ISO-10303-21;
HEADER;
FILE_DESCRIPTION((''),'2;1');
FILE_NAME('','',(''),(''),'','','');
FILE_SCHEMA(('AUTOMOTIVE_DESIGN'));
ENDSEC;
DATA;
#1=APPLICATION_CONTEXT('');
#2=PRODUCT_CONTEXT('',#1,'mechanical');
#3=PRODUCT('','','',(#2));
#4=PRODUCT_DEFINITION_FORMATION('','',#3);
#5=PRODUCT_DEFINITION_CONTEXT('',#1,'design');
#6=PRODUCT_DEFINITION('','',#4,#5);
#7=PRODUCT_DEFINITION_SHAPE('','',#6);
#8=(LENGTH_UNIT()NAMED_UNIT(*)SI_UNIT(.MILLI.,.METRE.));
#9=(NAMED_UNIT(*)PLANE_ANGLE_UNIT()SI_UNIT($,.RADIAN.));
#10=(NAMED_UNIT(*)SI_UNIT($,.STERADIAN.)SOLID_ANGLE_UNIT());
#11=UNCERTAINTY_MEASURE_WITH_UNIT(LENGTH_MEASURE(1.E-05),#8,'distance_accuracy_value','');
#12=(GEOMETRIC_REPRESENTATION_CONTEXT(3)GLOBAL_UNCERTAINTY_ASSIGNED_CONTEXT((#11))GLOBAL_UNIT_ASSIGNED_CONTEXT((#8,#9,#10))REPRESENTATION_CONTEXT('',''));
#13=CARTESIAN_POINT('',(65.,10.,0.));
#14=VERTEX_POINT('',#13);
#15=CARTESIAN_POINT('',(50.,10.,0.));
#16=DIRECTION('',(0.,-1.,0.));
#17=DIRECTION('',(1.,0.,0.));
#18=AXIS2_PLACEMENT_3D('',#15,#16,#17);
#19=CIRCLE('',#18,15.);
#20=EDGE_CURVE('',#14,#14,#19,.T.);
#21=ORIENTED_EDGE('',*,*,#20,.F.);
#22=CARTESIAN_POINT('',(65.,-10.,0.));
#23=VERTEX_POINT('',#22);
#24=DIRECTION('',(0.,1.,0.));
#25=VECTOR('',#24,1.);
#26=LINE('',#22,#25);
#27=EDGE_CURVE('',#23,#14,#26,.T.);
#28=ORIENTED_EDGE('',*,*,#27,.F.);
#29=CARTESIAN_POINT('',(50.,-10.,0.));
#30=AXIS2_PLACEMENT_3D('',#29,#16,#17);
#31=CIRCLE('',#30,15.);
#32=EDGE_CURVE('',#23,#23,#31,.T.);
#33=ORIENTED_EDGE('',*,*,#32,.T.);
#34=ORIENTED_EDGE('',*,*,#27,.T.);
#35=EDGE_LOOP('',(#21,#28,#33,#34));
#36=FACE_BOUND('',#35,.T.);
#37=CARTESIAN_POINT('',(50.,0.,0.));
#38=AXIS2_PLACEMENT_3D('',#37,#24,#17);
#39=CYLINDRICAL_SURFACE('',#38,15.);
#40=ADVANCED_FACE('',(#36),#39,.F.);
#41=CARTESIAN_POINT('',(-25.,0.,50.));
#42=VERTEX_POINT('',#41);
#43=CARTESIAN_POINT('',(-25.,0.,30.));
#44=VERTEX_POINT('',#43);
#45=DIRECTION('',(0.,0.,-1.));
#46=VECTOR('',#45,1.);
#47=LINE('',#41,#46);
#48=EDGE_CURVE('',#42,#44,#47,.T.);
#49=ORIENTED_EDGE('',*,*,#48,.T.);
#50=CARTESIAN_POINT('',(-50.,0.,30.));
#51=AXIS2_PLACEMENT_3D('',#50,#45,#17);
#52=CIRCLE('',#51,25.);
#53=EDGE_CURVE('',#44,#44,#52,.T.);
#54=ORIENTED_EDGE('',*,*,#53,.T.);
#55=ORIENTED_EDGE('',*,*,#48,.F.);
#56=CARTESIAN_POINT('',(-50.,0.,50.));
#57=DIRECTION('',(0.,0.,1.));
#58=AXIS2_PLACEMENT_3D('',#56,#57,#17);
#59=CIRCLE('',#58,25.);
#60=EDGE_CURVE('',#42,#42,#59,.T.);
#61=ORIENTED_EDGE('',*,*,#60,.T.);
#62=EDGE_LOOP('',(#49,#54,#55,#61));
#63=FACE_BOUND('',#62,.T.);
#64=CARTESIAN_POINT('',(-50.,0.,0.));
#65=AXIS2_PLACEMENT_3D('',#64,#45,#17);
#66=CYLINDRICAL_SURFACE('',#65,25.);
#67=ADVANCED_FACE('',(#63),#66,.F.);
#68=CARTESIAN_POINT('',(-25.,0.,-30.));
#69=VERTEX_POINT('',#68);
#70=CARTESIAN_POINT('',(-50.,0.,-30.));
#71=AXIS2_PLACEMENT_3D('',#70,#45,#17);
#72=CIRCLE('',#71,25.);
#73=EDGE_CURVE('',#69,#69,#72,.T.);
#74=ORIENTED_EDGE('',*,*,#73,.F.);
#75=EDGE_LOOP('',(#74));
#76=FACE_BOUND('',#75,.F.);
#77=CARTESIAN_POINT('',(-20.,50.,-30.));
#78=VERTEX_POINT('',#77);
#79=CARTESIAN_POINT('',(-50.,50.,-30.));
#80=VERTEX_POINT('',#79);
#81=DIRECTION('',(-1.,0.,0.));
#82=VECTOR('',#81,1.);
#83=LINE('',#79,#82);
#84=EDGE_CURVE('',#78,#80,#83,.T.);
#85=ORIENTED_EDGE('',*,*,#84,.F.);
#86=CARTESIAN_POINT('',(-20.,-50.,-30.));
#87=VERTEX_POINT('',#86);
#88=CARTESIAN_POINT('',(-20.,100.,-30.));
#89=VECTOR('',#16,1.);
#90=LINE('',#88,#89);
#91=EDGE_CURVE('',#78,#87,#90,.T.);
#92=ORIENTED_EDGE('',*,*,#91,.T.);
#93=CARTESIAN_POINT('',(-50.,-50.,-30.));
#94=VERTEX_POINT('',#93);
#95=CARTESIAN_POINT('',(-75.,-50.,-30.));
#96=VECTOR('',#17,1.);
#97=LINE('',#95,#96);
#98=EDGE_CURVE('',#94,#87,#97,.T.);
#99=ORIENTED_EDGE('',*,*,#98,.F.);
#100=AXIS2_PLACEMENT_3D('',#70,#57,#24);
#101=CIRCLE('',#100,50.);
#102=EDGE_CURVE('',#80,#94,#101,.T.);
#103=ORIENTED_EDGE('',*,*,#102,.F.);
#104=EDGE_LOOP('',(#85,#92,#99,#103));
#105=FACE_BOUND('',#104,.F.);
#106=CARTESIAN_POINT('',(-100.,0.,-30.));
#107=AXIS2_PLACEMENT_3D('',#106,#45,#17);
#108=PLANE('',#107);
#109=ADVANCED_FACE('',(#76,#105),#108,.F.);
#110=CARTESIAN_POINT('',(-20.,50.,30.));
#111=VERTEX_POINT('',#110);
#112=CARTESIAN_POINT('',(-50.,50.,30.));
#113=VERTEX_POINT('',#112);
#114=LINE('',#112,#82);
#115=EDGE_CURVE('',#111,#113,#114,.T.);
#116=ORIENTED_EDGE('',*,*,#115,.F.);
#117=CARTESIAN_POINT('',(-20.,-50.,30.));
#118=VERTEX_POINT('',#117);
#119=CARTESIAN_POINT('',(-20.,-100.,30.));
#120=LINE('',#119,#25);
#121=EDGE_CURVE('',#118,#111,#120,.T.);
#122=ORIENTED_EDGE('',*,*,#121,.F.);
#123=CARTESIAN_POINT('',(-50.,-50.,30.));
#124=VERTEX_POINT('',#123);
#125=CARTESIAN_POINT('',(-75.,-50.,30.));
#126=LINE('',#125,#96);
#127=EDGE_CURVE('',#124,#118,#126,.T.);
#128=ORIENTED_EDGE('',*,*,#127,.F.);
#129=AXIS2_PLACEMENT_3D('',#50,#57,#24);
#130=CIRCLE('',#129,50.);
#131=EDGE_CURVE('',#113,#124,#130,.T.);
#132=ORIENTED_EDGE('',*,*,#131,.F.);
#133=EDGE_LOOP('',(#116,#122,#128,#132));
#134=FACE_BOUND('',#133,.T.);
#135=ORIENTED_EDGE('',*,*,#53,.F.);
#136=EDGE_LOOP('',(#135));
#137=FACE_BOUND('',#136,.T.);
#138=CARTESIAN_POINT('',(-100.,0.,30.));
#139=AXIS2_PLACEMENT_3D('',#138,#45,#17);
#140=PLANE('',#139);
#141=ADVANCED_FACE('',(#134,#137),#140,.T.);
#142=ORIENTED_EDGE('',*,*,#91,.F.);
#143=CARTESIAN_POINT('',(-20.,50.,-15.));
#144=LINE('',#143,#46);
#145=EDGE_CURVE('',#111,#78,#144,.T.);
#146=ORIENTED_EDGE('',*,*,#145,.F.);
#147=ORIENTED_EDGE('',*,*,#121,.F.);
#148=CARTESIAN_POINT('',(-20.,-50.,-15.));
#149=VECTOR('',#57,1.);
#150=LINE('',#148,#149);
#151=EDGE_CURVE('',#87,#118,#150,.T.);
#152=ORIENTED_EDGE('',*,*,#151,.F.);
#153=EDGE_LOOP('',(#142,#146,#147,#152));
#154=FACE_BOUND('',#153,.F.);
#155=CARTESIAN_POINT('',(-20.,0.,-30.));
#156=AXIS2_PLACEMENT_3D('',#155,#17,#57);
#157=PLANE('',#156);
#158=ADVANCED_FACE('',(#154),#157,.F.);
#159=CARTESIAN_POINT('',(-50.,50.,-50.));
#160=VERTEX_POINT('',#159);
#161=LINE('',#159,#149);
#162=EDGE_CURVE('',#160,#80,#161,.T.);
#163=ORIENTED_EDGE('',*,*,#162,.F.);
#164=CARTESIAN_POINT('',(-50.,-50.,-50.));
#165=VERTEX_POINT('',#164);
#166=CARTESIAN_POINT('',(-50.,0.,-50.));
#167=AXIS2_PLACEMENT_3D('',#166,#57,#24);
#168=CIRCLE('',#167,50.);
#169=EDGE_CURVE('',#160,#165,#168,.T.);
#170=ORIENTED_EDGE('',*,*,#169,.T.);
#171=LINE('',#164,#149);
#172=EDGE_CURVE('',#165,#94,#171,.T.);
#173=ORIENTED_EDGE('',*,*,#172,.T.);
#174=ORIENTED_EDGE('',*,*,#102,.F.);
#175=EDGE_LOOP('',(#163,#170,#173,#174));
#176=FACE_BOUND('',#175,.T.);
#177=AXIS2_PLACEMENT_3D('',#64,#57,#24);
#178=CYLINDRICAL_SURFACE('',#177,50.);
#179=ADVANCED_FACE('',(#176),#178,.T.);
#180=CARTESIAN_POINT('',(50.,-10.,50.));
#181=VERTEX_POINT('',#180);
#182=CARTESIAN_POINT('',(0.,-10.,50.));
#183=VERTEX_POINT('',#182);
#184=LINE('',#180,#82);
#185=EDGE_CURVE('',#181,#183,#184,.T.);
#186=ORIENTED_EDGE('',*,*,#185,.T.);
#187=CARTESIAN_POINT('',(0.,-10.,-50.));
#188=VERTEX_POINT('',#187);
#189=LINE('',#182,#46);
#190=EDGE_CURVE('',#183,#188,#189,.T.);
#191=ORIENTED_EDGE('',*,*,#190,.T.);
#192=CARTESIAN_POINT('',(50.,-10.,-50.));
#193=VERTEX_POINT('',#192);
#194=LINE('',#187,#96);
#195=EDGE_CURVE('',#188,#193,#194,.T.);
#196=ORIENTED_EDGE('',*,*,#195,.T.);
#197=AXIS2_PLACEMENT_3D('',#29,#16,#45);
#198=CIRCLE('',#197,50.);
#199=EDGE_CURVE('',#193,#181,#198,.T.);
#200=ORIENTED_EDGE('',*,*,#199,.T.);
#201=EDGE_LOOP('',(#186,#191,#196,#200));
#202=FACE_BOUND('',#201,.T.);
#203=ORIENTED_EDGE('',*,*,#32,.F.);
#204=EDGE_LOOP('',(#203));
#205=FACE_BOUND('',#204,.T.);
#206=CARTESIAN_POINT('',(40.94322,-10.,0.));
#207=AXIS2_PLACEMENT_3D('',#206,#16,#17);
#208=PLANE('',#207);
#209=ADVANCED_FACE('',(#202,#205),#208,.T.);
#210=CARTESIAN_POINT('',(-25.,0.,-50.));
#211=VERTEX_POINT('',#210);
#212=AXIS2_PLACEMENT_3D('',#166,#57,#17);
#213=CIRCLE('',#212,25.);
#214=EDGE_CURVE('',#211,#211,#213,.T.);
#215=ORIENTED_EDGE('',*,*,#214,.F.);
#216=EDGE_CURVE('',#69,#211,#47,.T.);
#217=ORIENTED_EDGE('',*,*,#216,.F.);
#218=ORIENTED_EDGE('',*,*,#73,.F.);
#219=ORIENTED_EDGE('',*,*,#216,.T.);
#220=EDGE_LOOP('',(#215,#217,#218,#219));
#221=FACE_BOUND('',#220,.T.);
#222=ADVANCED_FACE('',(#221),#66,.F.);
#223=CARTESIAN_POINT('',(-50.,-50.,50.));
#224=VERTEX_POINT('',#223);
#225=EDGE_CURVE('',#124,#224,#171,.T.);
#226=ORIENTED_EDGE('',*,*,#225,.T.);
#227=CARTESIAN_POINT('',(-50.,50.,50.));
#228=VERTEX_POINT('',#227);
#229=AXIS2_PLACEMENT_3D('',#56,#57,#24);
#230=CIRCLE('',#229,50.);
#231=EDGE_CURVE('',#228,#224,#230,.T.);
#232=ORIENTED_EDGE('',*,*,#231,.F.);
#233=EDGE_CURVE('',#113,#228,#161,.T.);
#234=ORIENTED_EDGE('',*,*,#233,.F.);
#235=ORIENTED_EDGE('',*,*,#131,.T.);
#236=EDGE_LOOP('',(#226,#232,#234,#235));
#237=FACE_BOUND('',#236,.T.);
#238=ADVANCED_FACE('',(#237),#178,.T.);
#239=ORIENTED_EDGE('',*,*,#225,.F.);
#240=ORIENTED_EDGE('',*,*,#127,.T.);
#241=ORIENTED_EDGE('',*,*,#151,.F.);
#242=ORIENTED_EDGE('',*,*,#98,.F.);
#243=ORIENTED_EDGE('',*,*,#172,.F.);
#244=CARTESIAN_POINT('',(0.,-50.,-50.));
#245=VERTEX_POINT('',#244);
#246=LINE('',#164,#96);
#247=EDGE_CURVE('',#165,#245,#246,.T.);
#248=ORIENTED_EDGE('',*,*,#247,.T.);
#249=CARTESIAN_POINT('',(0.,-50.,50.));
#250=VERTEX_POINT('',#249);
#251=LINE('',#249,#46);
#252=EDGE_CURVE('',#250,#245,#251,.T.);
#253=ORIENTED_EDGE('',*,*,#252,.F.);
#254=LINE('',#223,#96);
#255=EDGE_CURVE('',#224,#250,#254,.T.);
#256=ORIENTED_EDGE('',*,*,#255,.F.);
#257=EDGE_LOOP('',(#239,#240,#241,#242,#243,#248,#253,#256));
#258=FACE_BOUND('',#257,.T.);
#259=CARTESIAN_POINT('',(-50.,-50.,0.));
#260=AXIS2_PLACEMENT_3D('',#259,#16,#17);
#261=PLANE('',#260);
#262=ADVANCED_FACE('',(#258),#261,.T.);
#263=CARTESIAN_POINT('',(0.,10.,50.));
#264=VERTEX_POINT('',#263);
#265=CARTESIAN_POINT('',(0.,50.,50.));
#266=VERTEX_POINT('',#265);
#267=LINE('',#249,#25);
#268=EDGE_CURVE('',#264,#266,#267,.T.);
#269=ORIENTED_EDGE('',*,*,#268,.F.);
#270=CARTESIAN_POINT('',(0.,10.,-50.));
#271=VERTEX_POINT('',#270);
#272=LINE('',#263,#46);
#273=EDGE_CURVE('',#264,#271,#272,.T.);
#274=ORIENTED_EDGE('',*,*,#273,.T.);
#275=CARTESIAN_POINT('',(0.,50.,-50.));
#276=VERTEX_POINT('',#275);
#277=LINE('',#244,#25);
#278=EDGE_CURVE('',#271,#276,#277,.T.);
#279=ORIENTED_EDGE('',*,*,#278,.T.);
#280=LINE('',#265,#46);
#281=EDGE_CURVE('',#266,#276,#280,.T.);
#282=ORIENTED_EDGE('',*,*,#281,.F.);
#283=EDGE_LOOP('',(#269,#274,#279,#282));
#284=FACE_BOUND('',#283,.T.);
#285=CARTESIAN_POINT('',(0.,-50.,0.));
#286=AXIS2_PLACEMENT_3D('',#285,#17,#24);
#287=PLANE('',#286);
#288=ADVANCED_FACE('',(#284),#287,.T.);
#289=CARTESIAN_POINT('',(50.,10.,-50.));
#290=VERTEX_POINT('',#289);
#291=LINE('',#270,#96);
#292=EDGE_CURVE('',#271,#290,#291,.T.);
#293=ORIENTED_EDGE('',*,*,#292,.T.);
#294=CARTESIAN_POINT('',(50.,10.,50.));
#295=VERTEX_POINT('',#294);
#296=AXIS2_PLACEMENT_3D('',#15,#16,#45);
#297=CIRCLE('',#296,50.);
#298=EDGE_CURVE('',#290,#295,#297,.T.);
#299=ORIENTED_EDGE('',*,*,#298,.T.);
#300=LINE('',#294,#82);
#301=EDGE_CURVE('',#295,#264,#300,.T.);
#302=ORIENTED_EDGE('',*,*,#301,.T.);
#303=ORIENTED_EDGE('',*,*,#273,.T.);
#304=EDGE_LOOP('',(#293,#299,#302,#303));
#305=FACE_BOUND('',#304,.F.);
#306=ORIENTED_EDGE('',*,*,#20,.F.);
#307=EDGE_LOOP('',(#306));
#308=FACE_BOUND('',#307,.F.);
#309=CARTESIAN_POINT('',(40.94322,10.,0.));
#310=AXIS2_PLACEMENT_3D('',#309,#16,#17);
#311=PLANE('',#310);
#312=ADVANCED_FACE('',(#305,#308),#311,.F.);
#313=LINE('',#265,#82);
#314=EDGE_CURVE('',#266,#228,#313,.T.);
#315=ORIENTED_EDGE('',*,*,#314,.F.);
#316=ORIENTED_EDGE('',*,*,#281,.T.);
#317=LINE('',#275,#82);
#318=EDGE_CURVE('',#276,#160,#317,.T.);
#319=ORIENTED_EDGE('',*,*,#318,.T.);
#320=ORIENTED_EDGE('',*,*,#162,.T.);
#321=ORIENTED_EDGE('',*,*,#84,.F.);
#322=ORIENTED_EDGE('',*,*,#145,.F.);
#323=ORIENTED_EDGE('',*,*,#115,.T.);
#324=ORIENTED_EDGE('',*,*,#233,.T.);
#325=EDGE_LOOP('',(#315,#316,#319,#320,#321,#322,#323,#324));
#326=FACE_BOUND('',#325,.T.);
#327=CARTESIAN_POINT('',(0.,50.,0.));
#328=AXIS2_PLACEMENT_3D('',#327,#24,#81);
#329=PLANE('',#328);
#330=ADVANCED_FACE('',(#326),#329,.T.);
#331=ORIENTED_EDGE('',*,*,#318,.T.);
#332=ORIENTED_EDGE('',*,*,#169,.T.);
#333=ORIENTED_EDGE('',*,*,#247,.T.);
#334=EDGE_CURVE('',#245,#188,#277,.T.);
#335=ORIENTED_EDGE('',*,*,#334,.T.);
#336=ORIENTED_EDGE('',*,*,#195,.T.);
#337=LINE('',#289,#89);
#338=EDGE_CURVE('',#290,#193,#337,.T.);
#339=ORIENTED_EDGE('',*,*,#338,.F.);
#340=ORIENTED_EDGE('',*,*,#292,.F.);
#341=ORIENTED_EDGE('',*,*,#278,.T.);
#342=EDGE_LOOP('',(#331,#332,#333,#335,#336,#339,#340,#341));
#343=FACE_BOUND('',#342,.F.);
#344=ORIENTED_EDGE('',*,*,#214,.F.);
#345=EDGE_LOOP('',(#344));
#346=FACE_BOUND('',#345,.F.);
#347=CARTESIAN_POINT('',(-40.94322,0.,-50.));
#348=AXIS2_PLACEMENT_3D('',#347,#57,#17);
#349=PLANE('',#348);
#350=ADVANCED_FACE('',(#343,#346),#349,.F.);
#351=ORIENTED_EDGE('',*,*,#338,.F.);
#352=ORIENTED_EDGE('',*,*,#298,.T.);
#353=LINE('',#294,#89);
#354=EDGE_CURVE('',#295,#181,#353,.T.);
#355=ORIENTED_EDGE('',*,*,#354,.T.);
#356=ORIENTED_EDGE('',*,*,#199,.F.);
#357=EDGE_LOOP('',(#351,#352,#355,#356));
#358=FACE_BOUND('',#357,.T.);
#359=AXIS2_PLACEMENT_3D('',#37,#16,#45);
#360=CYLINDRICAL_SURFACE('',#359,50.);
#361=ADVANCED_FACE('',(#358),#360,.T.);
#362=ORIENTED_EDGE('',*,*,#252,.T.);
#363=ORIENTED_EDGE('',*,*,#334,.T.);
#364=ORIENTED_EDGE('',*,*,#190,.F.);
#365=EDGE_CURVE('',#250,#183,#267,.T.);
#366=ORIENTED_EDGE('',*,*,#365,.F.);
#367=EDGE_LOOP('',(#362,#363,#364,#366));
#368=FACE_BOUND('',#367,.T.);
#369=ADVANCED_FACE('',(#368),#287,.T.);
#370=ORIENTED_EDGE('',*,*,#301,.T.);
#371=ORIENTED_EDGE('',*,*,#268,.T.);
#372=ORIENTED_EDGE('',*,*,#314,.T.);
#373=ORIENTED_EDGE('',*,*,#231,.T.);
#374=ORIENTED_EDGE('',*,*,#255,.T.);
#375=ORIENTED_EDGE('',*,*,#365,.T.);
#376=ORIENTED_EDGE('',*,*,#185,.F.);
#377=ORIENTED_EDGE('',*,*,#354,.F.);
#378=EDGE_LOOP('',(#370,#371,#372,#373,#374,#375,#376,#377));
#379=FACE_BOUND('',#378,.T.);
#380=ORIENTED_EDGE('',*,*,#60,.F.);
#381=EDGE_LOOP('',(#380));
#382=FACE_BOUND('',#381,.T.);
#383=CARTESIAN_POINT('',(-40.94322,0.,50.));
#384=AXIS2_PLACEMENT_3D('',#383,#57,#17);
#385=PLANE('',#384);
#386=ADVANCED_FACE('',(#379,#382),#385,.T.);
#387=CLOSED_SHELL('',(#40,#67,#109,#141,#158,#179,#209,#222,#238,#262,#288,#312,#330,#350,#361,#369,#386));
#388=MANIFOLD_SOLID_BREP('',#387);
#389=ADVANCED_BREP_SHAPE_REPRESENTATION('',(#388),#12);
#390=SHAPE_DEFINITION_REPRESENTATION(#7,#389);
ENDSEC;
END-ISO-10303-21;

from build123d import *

# Parameters (mm, degrees)
F0_R     = 25
F1_DEPTH = 50
F2_R     = 15
F3_DEPTH = 10
F4_W     = 80
F4_H     = 60
F5_DEPTH = 100


with BuildPart() as f1:
    # F0 (on Top) → F1 (new body, symmetric)
    with BuildSketch(Plane.XY):
        with BuildLine():
            Line((0, 50), (-50, 50))
            ThreePointArc((-50, 50), (-100, 0), (-50, -50))
            Line((-50, -50), (0, -50))
            Line((0, -50), (0, 50))
        make_face()
        with Locations((-50, 0)):
            Circle(F0_R, mode=Mode.SUBTRACT)
    extrude(amount=F1_DEPTH, both=True)

    # F2 (on Front) → F3 (join, symmetric)
    with BuildSketch(Plane.XZ):
        with BuildLine():
            Line((0, -50), (50, -50))
            ThreePointArc((50, -50), (100, 0), (50, 50))
            Line((50, 50), (0, 50))
            Line((0, 50), (0, -50))
        make_face()
        with Locations((50, 0)):
            Circle(F2_R, mode=Mode.SUBTRACT)
    extrude(amount=F3_DEPTH, both=True)

    # F4 (on Front) → F5 (cut, symmetric)
    with BuildSketch(Plane.XZ):
        with Locations((-60, 0)):
            Rectangle(F4_W, F4_H)
    extrude(amount=F5_DEPTH, both=True, mode=Mode.SUBTRACT)


solid = f1.part
